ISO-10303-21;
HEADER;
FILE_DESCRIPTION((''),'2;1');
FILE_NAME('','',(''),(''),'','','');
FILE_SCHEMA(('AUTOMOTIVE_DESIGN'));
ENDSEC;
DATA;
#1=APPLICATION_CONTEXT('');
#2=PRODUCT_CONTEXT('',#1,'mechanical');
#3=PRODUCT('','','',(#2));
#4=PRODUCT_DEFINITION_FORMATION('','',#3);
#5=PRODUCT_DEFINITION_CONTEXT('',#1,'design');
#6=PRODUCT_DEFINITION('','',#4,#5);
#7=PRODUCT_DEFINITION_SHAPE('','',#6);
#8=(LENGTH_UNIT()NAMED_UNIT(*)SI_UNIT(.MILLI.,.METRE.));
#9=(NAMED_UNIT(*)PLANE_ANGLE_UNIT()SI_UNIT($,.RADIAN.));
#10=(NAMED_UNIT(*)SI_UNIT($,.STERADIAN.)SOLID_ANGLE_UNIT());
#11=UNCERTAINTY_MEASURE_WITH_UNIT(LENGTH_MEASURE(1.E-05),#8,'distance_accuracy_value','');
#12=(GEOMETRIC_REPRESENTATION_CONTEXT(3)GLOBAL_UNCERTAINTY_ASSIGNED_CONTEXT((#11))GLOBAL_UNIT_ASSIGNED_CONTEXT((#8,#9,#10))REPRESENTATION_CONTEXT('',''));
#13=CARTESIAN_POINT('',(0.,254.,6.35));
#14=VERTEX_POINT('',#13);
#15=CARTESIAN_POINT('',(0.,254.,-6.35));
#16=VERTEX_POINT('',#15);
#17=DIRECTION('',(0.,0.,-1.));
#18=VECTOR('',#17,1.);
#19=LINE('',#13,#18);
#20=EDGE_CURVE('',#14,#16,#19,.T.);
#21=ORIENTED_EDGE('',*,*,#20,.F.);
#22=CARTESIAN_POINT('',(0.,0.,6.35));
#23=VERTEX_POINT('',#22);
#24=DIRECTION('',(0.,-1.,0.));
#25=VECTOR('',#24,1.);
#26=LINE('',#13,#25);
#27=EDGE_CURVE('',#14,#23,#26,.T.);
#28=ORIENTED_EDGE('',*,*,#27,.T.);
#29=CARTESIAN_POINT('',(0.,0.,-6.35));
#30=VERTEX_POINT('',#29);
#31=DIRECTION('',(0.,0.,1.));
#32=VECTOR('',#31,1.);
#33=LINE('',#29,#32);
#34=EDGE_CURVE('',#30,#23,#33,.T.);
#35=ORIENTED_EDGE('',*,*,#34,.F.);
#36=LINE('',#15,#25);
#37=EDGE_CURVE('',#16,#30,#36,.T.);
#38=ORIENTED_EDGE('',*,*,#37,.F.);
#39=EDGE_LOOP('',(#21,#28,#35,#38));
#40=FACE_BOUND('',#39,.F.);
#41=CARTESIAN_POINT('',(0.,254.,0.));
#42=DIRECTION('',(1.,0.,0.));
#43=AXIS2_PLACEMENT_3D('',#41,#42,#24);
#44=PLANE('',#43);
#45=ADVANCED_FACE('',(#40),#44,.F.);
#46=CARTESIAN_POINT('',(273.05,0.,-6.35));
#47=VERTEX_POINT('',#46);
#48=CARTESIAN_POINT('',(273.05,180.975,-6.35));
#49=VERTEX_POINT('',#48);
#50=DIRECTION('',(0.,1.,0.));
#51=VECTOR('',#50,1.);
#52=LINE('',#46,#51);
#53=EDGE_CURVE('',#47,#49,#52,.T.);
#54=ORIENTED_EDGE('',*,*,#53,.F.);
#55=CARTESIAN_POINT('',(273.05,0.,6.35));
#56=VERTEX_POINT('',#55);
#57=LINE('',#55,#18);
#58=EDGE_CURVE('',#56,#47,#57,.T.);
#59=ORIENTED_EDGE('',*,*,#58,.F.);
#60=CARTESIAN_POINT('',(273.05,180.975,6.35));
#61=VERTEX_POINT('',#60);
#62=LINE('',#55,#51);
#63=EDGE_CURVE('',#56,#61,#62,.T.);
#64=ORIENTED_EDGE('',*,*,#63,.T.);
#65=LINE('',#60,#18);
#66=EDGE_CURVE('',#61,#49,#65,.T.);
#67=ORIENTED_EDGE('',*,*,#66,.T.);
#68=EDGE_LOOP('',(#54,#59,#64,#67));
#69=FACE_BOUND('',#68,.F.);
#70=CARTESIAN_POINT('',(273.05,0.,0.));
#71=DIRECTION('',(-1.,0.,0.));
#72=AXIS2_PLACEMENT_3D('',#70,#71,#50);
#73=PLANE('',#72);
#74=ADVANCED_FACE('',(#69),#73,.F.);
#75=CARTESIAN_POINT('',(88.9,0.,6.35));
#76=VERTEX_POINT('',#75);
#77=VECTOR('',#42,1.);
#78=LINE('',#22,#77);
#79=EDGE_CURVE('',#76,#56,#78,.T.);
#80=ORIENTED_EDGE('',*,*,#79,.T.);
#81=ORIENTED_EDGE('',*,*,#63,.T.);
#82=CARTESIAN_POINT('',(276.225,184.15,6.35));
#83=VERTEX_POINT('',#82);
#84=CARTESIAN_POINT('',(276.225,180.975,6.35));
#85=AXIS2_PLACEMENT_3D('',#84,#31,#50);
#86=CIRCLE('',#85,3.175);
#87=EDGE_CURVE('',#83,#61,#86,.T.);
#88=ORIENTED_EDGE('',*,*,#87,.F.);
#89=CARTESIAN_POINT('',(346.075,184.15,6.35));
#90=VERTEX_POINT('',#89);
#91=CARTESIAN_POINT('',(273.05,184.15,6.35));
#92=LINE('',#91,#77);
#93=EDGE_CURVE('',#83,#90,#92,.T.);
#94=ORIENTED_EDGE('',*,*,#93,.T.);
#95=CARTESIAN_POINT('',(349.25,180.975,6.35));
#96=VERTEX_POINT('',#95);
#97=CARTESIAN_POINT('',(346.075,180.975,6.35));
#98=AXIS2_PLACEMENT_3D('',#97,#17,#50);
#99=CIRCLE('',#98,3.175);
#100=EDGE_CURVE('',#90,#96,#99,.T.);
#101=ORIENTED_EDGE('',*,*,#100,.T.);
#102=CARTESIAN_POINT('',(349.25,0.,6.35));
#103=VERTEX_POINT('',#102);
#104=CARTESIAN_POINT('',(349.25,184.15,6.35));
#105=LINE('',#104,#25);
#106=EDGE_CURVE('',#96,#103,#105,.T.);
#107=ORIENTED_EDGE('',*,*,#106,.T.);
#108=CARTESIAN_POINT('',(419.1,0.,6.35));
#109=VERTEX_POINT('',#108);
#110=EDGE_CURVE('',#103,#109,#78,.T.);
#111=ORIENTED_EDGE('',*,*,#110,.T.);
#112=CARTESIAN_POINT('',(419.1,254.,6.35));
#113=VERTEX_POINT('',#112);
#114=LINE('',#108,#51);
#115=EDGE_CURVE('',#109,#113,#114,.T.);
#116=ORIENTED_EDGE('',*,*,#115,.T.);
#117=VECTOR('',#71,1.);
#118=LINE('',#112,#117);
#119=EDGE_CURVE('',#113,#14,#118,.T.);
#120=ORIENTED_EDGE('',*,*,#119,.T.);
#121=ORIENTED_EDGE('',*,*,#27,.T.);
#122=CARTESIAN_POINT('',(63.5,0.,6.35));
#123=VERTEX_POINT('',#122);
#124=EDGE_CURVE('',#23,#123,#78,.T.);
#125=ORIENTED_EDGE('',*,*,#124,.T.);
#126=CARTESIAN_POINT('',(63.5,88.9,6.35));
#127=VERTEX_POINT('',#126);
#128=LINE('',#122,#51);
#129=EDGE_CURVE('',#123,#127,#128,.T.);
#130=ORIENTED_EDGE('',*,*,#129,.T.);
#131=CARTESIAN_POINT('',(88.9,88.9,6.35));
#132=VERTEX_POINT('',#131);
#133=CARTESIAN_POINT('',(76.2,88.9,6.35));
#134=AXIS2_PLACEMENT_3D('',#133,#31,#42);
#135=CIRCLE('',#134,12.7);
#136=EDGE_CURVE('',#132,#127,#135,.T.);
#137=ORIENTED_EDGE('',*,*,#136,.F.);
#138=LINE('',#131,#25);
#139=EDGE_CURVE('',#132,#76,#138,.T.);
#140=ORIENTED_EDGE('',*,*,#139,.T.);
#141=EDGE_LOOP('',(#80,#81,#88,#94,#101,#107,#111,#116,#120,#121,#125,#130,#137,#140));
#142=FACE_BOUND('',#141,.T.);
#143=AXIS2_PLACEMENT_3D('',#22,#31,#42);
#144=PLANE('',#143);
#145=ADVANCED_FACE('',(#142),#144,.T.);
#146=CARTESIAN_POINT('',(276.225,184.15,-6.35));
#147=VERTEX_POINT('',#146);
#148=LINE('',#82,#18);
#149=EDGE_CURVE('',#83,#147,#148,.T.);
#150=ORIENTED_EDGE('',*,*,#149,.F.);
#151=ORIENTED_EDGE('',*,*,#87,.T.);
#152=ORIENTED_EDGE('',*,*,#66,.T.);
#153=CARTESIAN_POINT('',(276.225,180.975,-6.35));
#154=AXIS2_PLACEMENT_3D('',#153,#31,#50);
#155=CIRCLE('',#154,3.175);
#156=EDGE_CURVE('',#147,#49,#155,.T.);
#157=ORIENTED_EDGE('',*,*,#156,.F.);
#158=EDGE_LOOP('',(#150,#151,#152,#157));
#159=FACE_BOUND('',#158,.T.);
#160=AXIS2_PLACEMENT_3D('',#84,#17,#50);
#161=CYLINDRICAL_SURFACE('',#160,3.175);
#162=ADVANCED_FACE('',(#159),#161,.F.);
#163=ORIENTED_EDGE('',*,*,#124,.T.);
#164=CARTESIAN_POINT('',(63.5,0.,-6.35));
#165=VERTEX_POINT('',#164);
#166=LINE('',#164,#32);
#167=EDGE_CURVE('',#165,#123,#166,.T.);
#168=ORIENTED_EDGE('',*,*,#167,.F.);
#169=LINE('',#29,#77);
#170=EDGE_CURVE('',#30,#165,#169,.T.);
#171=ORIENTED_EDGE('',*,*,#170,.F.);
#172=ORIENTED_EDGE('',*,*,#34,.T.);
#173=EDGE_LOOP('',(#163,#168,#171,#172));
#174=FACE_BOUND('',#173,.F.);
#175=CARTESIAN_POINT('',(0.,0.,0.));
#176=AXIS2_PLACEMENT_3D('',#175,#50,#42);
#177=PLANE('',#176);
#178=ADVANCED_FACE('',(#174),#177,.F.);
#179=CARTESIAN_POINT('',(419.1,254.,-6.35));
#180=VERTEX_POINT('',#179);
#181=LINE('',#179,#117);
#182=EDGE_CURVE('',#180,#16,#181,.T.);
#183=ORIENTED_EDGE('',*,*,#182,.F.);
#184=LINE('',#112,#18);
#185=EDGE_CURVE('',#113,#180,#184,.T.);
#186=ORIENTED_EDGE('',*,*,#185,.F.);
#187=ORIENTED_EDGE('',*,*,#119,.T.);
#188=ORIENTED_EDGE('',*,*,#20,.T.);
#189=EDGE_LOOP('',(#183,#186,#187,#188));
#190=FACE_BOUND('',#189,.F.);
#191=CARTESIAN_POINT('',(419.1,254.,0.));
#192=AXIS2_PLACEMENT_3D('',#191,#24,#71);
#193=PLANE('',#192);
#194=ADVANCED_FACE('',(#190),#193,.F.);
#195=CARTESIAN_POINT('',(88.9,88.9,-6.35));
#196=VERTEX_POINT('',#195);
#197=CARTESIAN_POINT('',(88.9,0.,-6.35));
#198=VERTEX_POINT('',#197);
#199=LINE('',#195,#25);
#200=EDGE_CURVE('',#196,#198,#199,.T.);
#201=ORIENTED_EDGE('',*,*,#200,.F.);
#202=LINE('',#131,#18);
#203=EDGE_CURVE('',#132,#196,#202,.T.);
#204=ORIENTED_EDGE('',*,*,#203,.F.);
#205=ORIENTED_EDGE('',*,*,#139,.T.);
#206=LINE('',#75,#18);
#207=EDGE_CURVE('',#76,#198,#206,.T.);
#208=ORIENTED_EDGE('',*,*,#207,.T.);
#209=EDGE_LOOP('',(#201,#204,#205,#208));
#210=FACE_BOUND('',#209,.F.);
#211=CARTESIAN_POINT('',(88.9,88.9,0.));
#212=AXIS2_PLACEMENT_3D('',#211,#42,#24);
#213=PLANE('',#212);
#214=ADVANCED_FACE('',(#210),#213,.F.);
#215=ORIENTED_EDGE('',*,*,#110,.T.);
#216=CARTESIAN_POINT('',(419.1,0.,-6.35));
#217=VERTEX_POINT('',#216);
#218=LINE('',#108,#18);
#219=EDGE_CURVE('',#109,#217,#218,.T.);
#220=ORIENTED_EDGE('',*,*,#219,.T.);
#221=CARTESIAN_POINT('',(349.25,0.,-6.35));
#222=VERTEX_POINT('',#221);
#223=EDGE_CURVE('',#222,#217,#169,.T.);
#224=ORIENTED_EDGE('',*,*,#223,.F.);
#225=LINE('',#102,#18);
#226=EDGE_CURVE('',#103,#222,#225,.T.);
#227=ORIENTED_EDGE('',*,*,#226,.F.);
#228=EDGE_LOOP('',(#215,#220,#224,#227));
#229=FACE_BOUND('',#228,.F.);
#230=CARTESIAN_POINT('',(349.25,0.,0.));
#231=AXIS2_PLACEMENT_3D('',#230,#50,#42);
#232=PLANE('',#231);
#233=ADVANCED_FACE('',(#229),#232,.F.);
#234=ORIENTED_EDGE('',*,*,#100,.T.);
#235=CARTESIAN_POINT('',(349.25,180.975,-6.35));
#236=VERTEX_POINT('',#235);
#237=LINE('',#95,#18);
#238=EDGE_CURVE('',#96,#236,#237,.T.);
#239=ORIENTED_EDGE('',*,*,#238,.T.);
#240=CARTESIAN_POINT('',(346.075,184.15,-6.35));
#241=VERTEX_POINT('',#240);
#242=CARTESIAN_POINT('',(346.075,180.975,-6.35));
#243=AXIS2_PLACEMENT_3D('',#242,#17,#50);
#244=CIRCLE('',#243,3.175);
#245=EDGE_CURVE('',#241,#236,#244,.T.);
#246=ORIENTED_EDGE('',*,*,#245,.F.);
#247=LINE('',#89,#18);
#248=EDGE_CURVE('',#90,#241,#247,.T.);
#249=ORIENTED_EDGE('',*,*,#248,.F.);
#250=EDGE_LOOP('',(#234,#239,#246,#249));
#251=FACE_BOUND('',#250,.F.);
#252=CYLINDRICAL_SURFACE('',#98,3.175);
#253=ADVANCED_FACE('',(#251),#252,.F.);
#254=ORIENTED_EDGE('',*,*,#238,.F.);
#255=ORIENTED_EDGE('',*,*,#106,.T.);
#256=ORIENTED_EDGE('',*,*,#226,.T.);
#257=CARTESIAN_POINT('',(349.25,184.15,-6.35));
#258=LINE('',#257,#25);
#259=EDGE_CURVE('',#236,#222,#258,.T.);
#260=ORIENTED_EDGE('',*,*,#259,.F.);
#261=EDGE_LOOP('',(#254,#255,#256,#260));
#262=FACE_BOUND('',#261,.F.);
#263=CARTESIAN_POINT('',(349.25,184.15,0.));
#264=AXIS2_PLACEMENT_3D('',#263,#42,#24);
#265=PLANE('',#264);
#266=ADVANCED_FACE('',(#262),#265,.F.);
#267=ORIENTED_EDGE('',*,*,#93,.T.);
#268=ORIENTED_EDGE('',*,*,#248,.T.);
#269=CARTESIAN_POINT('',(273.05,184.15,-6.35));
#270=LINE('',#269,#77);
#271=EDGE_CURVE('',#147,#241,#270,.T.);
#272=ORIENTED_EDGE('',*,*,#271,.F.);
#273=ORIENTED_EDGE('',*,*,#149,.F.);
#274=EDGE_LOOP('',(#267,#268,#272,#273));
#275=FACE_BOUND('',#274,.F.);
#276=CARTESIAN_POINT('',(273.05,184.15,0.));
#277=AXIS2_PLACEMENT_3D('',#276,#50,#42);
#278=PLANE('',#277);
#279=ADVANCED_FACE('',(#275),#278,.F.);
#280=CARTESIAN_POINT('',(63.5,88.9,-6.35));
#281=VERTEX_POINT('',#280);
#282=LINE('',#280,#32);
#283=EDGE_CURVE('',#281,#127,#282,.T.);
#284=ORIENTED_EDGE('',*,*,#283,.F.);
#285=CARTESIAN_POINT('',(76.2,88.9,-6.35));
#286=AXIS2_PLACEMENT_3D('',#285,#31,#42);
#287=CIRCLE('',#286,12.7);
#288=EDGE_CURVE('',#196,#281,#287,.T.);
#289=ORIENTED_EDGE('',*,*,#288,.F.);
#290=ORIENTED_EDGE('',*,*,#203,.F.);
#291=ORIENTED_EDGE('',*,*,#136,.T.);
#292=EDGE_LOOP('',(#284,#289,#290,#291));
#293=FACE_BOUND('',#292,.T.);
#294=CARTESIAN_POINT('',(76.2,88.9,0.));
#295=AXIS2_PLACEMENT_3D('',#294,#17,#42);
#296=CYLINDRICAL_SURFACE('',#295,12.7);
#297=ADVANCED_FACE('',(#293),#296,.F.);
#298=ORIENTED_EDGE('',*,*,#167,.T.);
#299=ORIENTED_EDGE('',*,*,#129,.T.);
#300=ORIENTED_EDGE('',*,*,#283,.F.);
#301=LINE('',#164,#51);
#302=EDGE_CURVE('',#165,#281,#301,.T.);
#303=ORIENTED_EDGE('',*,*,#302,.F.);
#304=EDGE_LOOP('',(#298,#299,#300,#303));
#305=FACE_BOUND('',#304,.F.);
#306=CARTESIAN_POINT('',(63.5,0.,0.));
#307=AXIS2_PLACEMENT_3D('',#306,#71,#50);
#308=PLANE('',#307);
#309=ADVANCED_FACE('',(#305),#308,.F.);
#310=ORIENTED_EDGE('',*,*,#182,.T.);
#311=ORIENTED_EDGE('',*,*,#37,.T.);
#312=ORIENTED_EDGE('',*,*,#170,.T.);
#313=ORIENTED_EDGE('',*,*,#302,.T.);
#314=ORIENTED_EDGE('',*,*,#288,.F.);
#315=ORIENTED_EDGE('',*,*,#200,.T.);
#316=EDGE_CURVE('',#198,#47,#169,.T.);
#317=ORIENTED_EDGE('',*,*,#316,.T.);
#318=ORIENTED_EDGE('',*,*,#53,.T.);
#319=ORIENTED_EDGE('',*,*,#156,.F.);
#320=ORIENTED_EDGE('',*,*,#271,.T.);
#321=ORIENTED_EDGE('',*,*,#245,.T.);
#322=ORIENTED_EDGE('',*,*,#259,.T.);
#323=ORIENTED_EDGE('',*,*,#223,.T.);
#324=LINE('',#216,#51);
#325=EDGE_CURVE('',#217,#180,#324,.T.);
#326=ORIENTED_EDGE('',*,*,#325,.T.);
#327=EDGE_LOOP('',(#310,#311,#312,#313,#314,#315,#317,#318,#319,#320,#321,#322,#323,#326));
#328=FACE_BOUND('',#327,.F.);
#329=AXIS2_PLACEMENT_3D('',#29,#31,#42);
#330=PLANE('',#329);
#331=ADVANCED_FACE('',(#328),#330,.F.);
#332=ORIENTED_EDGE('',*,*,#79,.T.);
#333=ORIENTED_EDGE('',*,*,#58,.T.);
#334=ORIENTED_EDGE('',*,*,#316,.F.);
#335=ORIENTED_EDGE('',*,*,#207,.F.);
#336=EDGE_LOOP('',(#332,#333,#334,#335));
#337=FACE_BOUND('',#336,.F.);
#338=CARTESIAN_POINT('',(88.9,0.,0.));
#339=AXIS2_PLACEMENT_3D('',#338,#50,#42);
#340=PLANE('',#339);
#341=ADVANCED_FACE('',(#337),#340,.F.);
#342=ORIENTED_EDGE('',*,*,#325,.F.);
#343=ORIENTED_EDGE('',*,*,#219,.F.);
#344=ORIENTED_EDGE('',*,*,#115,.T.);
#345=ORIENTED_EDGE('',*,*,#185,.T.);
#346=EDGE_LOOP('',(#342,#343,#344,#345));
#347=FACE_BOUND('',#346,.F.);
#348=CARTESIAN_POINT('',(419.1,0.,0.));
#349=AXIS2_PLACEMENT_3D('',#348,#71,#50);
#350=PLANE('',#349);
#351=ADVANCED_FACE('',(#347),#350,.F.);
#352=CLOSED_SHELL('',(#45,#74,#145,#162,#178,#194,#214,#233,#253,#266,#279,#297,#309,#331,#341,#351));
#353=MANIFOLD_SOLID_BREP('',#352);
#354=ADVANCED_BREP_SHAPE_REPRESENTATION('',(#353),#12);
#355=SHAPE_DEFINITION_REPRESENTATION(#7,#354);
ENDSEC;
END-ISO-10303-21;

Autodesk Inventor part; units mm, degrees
ref_plane "YZ Plane" through (0, 0, 0) normal (1, 0, 0) x (0, 1, 0)
ref_plane "XZ Plane" through (0, 0, 0) normal (0, 1, 0) x (-1, 0, 0)
ref_plane "XY Plane" through (0, 0, 0) normal (0, 0, 1) x (1, 0, 0)
sketch "Sketch1" plane through (0, 0, 0) normal (0, 0, 1) x (1, 0, 0)
  line L0 (0, 0) -> (419.1, 0)
  line L1 (419.1, 0) -> (419.1, 254)
  line L2 (419.1, 254) -> (0, 254)
  line L3 (0, 254) -> (0, 0)
  line L4 (273.05, 184.15) -> (349.25, 184.15)
  line L5 (349.25, 184.15) -> (349.25, 0)
  line L6 (349.25, 0) -> (273.05, 0)
  line L7 (273.05, 0) -> (273.05, 184.15)
  circle A0 centre (76.2, 88.9) radius 12.7
  line L8 (63.5, 88.9) -> (88.9, 88.9)
  line L9 (88.9, 88.9) -> (88.9, 0)
  line L10 (88.9, 0) -> (63.5, 0)
  line L11 (63.5, 0) -> (63.5, 88.9)
  dimension "d5" = 25.4
  dimension "d0" = 419.1
  dimension "d1" = 254
  dimension "d2" = 76.2
  dimension "d3" = 184.15
  dimension "d4" = 273.05
  dimension "d6" = 88.9
  dimension "d7" = 63.5
  dimension "d8" = 25.4
  dimension "d9" = 76.2
extrude "Extrusion1" add sketch "Sketch1" along normal mid plane 12.7 contours L3 L2 L1 L0 L5 L4 L7 L9 A0 L11
fillet "Fillet1" radius 3.175 1 edges at (273.05, 184.15, 0)
fillet "Fillet2" radius 3.175 1 edges at (349.25, 184.15, 0)
equation "\"d0\" = Length"
equation "\"d1\" = Height"
equation "\"d10\" = Thick"
equation "\"Length\" = 419.1"
equation "\"Height\" = 254"
equation "\"Thick\" = 12.7"
properties part number "InsideWall"
